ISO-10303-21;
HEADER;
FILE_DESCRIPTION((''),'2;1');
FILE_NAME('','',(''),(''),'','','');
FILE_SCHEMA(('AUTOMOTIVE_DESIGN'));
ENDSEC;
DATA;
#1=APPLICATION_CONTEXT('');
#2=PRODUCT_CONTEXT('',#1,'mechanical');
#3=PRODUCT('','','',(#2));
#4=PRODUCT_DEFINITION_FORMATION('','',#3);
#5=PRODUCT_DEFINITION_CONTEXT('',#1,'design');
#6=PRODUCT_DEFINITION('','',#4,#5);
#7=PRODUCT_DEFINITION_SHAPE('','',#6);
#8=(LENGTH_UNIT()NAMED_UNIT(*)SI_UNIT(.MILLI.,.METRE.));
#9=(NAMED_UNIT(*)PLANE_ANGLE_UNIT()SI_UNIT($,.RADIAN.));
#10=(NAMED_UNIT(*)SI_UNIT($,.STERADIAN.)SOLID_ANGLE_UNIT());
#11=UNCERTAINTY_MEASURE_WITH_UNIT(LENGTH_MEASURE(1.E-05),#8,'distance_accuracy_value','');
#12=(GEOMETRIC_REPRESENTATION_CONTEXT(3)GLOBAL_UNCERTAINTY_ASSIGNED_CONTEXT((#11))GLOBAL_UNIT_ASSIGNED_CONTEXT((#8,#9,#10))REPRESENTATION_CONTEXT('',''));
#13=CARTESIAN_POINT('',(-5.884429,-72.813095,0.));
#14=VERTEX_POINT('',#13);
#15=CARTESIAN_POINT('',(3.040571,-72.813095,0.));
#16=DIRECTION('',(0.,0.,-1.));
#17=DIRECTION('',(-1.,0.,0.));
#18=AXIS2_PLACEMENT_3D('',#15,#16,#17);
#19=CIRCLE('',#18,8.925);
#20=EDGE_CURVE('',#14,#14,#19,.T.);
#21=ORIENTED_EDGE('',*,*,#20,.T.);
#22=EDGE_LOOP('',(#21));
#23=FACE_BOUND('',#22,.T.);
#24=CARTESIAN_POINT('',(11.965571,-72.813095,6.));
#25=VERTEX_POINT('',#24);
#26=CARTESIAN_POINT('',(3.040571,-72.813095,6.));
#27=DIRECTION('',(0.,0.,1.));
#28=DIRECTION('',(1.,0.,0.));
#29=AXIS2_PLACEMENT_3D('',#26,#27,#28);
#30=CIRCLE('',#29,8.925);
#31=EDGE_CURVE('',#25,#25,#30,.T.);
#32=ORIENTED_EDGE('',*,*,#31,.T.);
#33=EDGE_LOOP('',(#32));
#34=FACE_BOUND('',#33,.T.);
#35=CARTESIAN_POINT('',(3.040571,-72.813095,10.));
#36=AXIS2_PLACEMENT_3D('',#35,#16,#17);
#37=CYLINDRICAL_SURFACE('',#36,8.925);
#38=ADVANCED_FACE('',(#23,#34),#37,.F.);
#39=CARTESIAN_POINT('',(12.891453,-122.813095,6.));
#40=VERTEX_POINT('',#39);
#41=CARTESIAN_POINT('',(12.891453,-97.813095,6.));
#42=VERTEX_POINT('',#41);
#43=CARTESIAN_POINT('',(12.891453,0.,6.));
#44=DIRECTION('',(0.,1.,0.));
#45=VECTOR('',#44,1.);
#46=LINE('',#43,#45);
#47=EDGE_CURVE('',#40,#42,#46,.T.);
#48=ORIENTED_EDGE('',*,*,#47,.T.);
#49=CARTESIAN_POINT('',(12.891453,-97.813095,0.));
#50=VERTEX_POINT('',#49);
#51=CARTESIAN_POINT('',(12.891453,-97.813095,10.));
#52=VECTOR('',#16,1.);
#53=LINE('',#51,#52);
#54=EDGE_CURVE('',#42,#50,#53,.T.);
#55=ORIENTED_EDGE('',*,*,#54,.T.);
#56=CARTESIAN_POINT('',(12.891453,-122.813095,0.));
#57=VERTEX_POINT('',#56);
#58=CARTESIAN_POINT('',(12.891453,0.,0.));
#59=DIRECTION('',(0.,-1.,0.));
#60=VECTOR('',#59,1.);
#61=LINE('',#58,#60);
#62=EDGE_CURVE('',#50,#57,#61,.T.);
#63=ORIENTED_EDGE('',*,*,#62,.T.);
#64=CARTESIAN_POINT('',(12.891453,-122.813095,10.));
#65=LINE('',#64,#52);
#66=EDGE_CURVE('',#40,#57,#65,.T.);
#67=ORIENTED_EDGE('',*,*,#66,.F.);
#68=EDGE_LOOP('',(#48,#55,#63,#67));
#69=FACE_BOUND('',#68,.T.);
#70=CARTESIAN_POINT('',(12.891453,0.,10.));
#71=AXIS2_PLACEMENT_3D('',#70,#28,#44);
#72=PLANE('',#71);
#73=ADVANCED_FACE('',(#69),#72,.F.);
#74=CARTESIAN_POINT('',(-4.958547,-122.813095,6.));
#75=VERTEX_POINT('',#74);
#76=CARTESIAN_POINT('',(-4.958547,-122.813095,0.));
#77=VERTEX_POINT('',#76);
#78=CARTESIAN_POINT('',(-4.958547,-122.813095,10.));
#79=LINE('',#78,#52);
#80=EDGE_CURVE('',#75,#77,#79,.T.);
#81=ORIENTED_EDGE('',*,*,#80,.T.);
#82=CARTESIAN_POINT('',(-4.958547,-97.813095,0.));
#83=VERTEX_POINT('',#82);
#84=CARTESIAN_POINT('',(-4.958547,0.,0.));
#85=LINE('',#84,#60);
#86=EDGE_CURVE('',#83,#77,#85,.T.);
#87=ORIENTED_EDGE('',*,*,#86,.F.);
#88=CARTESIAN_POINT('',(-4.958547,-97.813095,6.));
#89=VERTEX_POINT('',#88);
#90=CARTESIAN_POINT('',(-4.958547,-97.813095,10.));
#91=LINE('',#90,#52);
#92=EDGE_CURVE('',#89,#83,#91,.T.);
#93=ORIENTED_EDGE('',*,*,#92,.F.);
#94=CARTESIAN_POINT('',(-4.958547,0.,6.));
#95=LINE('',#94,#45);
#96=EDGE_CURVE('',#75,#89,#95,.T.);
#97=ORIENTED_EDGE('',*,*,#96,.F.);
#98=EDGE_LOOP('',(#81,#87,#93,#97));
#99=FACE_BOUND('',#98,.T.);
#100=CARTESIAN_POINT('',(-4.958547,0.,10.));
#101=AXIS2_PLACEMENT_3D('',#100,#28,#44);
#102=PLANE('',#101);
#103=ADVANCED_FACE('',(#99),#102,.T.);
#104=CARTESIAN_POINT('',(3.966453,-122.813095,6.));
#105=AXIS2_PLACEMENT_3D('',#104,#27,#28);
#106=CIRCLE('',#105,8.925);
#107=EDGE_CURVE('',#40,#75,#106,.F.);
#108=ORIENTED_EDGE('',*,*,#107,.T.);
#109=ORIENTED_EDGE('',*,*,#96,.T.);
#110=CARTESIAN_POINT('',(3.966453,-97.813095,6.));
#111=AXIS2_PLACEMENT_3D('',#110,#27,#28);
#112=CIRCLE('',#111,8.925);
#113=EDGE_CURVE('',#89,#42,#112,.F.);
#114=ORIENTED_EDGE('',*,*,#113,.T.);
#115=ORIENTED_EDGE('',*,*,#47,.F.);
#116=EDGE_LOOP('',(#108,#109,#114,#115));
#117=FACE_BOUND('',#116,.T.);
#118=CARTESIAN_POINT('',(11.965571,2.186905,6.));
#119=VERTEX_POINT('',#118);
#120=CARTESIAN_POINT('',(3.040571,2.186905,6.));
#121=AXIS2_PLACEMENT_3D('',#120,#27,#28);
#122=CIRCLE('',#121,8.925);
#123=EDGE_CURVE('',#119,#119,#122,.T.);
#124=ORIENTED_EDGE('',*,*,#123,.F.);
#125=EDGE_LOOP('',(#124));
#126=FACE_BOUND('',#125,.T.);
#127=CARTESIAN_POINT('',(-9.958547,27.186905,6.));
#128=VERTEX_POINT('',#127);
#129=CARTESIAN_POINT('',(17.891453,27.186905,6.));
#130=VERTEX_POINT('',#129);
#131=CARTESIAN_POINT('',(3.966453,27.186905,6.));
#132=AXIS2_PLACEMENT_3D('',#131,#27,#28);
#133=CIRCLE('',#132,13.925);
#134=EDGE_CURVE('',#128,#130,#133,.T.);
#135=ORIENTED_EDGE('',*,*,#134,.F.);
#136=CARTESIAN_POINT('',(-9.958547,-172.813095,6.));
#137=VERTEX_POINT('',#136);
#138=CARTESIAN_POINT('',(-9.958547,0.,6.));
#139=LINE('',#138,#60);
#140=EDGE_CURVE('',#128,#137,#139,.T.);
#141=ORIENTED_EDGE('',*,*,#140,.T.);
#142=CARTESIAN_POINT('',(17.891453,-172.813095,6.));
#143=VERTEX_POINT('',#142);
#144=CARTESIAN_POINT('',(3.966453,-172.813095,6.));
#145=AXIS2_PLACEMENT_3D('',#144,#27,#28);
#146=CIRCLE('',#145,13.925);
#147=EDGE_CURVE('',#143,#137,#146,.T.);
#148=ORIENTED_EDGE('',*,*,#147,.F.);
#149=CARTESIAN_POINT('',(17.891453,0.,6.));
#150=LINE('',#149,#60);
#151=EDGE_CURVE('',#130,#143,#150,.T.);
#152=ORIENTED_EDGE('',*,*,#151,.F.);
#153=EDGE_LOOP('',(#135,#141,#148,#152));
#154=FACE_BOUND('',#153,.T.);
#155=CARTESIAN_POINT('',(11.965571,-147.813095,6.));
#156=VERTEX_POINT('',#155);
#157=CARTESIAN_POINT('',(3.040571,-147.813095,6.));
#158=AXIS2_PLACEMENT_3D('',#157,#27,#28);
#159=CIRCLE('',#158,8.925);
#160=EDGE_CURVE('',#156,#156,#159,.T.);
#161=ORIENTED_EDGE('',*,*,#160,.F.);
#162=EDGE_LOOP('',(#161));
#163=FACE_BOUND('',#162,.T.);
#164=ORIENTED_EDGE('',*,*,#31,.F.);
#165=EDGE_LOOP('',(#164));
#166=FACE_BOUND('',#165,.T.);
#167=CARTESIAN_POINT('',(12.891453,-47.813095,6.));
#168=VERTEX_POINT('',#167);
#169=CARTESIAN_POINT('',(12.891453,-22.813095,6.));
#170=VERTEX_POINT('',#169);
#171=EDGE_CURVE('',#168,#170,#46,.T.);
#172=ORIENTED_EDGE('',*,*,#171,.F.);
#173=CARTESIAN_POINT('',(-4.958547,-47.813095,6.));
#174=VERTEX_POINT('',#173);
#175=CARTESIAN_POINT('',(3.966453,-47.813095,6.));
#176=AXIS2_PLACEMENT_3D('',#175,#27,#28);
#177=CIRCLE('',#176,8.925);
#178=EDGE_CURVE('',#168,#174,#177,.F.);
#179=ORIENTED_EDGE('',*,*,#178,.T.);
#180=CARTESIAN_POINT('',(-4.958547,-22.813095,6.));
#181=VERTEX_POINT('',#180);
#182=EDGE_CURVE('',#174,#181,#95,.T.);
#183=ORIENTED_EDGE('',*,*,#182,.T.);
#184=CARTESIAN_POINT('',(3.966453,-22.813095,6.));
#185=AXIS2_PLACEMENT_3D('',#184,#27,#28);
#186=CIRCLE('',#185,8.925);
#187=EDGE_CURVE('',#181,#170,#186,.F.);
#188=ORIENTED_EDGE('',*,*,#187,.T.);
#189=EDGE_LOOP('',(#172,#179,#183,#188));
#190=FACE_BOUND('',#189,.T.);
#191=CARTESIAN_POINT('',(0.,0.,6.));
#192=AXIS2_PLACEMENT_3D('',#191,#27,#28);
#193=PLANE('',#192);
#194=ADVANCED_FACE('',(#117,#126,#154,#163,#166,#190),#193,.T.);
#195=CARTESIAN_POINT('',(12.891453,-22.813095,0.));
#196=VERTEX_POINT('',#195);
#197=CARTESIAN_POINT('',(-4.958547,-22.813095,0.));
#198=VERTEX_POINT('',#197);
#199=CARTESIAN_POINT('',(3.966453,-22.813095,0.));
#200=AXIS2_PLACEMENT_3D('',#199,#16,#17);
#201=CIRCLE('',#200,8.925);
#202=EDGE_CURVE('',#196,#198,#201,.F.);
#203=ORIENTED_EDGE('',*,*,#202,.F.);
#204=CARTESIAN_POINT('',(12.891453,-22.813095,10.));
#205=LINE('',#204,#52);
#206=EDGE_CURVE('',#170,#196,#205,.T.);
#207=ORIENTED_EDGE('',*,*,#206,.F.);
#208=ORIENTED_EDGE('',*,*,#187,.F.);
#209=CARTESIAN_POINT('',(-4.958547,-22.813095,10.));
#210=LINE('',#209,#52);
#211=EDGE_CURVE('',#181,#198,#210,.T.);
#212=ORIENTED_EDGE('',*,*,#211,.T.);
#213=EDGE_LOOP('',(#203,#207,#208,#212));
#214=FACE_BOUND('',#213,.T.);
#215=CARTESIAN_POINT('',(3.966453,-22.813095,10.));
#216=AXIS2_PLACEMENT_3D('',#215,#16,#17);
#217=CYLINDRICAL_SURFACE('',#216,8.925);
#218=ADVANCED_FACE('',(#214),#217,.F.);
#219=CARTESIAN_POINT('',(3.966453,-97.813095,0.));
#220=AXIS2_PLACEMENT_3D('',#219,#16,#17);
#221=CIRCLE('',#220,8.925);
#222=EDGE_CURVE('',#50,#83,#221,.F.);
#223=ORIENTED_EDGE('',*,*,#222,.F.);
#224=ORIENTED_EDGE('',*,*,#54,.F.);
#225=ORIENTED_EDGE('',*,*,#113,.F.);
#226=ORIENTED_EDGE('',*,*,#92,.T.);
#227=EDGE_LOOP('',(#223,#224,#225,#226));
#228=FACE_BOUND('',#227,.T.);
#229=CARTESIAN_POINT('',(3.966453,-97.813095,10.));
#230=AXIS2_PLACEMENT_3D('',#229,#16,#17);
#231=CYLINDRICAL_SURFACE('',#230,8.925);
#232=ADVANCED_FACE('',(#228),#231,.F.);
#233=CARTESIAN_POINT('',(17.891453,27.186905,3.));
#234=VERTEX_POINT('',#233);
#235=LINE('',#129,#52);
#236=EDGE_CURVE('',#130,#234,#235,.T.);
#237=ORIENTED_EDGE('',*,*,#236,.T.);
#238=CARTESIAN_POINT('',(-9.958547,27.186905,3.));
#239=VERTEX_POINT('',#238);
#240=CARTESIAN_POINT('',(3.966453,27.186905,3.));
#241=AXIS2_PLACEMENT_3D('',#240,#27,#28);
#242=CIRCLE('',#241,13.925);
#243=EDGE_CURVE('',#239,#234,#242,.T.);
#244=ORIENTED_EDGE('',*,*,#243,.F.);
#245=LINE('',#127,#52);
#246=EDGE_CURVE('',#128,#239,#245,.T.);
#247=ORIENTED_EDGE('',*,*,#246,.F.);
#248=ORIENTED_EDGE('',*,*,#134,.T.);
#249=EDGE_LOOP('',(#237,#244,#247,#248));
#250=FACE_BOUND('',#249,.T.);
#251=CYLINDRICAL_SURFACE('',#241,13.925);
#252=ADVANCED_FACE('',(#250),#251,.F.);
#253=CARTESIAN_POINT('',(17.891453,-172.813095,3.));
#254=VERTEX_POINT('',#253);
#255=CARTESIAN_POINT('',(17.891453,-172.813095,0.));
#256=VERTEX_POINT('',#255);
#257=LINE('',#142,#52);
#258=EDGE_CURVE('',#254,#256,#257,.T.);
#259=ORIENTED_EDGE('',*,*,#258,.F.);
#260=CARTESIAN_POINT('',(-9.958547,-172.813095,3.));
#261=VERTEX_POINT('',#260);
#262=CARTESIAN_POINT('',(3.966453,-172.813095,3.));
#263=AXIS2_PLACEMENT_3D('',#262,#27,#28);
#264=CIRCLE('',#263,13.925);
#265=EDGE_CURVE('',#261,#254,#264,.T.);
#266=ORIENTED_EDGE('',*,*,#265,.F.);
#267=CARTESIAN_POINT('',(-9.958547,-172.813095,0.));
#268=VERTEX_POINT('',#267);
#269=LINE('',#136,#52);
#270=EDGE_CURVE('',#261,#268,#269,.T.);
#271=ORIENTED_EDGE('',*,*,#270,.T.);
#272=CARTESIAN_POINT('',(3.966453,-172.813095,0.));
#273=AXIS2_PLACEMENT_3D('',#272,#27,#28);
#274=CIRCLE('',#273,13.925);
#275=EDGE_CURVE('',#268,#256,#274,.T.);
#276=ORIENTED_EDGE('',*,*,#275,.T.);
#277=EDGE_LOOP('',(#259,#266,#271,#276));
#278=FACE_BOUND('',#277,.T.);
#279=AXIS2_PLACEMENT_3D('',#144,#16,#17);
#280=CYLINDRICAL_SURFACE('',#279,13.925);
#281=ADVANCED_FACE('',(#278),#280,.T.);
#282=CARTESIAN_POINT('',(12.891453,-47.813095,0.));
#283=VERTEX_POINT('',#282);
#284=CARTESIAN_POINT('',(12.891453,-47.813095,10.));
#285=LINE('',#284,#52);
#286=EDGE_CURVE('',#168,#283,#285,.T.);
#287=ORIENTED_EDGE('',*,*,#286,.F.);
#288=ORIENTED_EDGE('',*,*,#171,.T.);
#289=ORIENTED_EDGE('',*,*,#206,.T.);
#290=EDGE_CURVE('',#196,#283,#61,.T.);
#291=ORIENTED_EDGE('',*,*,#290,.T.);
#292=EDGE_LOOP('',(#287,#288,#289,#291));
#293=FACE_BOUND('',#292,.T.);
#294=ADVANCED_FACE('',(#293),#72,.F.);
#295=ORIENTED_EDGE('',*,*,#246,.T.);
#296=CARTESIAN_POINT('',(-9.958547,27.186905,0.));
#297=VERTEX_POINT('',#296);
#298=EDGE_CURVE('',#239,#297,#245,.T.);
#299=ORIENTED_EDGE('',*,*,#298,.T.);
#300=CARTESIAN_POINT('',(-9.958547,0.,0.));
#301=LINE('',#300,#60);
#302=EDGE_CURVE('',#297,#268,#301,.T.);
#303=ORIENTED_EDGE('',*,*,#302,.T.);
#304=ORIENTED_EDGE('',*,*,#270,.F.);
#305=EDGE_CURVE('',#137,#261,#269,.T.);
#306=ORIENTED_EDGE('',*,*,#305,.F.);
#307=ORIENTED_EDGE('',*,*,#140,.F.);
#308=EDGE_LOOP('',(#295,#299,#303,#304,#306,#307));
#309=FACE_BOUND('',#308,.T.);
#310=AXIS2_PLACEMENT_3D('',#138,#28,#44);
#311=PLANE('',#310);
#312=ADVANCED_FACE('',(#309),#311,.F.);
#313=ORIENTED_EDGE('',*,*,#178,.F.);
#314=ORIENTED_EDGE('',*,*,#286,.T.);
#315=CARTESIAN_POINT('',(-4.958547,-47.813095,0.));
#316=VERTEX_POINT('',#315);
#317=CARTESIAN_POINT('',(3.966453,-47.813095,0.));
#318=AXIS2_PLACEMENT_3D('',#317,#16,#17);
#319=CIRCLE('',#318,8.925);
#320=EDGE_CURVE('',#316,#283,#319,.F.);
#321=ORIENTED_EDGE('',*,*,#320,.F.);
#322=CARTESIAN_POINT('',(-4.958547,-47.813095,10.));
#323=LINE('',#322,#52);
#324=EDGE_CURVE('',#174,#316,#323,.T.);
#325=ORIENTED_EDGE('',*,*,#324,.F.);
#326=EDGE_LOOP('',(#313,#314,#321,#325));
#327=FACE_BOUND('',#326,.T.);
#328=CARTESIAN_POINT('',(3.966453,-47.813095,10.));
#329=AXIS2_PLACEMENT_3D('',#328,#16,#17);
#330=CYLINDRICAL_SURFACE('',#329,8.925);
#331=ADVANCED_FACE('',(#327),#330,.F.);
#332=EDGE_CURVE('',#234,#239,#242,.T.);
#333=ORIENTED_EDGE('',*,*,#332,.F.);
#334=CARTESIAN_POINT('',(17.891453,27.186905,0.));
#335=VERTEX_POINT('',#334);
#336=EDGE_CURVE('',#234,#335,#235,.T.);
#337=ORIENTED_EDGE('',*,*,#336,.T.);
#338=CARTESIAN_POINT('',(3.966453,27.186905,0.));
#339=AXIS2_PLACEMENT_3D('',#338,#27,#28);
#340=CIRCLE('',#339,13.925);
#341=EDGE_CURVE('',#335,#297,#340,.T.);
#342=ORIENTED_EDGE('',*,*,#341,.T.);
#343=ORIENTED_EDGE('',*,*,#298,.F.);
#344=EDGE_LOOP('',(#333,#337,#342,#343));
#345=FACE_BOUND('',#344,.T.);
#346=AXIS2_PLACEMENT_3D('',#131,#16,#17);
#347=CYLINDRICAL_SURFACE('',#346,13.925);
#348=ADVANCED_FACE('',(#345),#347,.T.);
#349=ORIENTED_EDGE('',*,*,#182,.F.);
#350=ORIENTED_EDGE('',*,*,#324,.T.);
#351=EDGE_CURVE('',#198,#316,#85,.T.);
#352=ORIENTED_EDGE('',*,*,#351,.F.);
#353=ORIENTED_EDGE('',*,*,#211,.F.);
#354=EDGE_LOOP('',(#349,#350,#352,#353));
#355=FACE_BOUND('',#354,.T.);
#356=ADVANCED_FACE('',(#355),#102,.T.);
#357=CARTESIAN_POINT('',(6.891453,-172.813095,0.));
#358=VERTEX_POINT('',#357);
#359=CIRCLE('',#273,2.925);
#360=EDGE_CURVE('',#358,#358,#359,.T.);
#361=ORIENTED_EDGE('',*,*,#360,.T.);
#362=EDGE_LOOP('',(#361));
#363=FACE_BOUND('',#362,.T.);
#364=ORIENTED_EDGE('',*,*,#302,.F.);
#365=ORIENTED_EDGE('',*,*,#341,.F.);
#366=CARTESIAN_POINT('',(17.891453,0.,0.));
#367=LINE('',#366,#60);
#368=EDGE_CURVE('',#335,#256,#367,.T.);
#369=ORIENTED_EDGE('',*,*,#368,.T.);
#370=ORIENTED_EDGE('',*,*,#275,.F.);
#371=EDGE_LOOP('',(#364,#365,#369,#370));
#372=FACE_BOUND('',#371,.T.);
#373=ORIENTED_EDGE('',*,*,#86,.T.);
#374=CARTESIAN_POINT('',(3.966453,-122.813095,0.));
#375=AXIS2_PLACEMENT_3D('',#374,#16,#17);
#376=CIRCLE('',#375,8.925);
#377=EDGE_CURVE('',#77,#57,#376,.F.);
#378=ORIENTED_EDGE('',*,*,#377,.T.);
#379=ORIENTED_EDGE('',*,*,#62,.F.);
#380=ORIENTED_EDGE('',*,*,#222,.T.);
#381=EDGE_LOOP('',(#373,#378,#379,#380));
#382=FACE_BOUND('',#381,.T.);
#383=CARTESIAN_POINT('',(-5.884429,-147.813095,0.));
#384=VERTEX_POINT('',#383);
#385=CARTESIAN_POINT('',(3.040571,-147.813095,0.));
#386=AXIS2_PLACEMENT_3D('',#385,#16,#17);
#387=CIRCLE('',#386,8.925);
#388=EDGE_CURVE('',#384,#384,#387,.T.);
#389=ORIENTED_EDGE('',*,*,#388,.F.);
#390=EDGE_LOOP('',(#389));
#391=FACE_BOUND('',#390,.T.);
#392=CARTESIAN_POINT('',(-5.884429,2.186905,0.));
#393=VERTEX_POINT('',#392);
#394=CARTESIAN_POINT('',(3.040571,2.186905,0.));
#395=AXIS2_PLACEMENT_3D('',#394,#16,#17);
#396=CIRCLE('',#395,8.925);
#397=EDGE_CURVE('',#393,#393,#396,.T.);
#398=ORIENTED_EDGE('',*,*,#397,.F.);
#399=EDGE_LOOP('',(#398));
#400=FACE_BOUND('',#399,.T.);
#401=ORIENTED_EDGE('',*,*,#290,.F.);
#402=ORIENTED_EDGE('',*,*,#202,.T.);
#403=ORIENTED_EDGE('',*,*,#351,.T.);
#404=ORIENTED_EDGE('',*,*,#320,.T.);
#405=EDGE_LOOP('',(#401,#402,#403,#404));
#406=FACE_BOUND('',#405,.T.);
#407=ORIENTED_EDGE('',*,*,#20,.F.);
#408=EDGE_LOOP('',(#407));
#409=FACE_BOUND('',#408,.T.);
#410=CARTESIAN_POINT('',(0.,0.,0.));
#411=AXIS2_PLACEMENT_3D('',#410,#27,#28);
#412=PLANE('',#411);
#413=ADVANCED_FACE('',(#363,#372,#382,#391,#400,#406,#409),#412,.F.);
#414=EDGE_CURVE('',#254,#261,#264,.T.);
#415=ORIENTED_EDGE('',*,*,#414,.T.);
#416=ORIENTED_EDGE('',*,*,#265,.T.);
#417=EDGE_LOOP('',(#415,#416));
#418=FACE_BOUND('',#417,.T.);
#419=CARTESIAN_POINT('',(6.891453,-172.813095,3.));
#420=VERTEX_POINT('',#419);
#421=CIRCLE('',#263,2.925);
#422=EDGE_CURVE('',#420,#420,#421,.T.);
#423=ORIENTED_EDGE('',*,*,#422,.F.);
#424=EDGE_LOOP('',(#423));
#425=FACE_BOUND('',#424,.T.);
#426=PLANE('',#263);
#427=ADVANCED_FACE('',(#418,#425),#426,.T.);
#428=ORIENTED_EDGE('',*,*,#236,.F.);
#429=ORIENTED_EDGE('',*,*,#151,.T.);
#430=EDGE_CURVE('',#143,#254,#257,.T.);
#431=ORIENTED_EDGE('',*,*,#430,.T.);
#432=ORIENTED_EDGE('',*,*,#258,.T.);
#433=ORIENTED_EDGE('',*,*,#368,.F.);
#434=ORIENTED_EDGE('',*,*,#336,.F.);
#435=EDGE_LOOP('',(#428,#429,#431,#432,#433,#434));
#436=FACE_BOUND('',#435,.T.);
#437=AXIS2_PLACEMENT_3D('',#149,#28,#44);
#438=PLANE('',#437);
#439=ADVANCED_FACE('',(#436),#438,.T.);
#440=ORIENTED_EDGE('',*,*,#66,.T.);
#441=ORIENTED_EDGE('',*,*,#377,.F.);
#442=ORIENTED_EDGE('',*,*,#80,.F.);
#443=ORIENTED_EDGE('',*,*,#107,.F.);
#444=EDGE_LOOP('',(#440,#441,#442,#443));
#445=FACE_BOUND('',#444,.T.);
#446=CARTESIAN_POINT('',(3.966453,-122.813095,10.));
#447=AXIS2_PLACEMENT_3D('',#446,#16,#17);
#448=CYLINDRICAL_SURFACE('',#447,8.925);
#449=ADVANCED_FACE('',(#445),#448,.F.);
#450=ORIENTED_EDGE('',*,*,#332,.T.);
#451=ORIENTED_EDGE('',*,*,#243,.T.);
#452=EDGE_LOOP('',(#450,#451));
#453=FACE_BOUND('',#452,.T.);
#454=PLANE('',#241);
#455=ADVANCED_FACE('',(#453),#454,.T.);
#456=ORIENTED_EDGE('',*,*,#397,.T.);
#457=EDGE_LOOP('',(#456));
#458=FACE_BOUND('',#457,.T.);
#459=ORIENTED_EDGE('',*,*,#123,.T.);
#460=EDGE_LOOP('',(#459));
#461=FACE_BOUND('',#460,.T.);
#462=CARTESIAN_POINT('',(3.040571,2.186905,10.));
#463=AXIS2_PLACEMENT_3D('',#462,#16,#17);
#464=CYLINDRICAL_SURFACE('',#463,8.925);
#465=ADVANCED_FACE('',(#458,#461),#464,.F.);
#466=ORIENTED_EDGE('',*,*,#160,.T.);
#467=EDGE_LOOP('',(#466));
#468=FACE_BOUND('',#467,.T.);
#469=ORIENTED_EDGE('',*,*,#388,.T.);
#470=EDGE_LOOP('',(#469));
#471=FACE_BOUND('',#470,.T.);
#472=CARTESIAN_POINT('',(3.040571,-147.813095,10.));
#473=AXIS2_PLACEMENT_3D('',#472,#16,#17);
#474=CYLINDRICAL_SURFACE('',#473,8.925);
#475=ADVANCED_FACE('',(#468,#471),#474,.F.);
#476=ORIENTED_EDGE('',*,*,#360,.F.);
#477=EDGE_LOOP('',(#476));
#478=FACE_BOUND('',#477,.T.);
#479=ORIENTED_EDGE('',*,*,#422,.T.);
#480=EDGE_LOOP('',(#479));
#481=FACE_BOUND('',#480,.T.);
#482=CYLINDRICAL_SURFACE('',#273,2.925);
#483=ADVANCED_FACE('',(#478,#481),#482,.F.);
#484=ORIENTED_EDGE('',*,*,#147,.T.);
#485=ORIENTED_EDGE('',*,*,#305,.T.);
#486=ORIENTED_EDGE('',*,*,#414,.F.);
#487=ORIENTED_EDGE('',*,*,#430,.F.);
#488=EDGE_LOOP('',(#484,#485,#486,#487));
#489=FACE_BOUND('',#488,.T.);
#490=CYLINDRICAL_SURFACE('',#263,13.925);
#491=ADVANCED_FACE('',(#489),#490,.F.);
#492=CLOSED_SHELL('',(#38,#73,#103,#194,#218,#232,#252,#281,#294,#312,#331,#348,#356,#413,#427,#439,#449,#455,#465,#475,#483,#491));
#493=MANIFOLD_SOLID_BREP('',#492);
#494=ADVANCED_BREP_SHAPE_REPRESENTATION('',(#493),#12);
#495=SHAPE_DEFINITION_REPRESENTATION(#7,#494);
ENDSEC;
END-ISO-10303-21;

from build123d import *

# Parameters (mm, degrees)
ESQUISSE1_W             = 27.85
ESQUISSE1_H             = 200
BOSS_EXTRU_1_DEPTH      = 6
ESQUISSE2_R             = 13.925
ENL_V_MAT_EXTRU_1_DEPTH = 3
ESQUISSE3_R             = 2.925
ENL_V_MAT_EXTRU_2_DEPTH = 3
ESQUISSE5_R             = 13.925
ENL_V_MAT_EXTRU_3_DEPTH = 3
ESQUISSE6_R             = 8.925
ESQUISSE6_W             = 17.85
ESQUISSE6_H             = 25
ENL_V_MAT_EXTRU_4_DEPTH = 10


with BuildPart() as part:
    # Esquisse1 → Boss.-Extru.1 (new body)
    with BuildSketch(Plane.XY):
        with Locations((3.966452722, -72.813095238)):
            Rectangle(ESQUISSE1_W, ESQUISSE1_H)
        with BuildLine():
            Line((-9.958547278, -172.813095238), (17.891452722, -172.813095238))
            ThreePointArc((17.891452722, -172.813095238), (3.966452722, -186.738095238), (-9.958547278, -172.813095238))
        make_face()
        with BuildLine():
            Line((-9.958547278, 27.186904762), (17.891452722, 27.186904762))
            ThreePointArc((17.891452722, 27.186904762), (3.966452722, 41.111904762), (-9.958547278, 27.186904762))
        make_face()
    extrude(amount=BOSS_EXTRU_1_DEPTH)

    # Esquisse2 → Enlèv. mat.-Extru.1 (cut)
    with BuildSketch(Plane.XY.offset(6)):
        with Locations((3.966452722, -172.813095238)):
            Circle(ESQUISSE2_R)
    extrude(amount=-ENL_V_MAT_EXTRU_1_DEPTH, mode=Mode.SUBTRACT)

    # Esquisse3 → Enlèv. mat.-Extru.2 (cut)
    with BuildSketch(Plane.XY.offset(3)):
        with Locations((3.966452722, -172.813095238)):
            Circle(ESQUISSE3_R)
    extrude(amount=-ENL_V_MAT_EXTRU_2_DEPTH, mode=Mode.SUBTRACT)

    # Esquisse5 → Enlèv. mat.-Extru.3 (cut)
    with BuildSketch(Plane.XY.offset(6)):
        with Locations((3.966452722, 27.186904762)):
            Circle(ESQUISSE5_R)
    extrude(amount=-ENL_V_MAT_EXTRU_3_DEPTH, mode=Mode.SUBTRACT)

    # Esquisse6 → Enlèv. mat.-Extru.4 (cut)
    with BuildSketch(Plane(origin=(0, 0, 0), x_dir=(-1, 0, 0), z_dir=(0, 0, -1))):
        with Locations((-3.040571359, 2.186904762)):
            Circle(ESQUISSE6_R)
        with BuildLine():
            ThreePointArc((-12.891452722, -22.813095238), (-3.966452722, -13.888095238), (4.958547278, -22.813095238))
            Line((4.958547278, -22.813095238), (-12.891452722, -22.813095238))
        make_face()
        with Locations((-3.966452722, -35.313095238)):
            Rectangle(ESQUISSE6_W, ESQUISSE6_H)
        with BuildLine():
            ThreePointArc((4.958547278, -47.813095238), (-3.966452722, -56.738095238), (-12.891452722, -47.813095238))
            Line((-12.891452722, -47.813095238), (4.958547278, -47.813095238))
        make_face()
        with Locations((-3.040571359, -72.813095238)):
            Circle(ESQUISSE6_R)
        with Locations((-3.966452722, -110.313095238)):
            Rectangle(ESQUISSE6_W, ESQUISSE6_H)
        with BuildLine():
            ThreePointArc((-12.891452722, -97.813095238), (-3.966452722, -88.888095238), (4.958547278, -97.813095238))
            Line((4.958547278, -97.813095238), (-12.891452722, -97.813095238))
        make_face()
        with BuildLine():
            ThreePointArc((4.958547278, -122.813095238), (-3.966452722, -131.738095238), (-12.891452722, -122.813095238))
            Line((-12.891452722, -122.813095238), (4.958547278, -122.813095238))
        make_face()
        with Locations((-3.040571359, -147.813095238)):
            Circle(ESQUISSE6_R)
    extrude(amount=-ENL_V_MAT_EXTRU_4_DEPTH, mode=Mode.SUBTRACT)


solid = part.part
